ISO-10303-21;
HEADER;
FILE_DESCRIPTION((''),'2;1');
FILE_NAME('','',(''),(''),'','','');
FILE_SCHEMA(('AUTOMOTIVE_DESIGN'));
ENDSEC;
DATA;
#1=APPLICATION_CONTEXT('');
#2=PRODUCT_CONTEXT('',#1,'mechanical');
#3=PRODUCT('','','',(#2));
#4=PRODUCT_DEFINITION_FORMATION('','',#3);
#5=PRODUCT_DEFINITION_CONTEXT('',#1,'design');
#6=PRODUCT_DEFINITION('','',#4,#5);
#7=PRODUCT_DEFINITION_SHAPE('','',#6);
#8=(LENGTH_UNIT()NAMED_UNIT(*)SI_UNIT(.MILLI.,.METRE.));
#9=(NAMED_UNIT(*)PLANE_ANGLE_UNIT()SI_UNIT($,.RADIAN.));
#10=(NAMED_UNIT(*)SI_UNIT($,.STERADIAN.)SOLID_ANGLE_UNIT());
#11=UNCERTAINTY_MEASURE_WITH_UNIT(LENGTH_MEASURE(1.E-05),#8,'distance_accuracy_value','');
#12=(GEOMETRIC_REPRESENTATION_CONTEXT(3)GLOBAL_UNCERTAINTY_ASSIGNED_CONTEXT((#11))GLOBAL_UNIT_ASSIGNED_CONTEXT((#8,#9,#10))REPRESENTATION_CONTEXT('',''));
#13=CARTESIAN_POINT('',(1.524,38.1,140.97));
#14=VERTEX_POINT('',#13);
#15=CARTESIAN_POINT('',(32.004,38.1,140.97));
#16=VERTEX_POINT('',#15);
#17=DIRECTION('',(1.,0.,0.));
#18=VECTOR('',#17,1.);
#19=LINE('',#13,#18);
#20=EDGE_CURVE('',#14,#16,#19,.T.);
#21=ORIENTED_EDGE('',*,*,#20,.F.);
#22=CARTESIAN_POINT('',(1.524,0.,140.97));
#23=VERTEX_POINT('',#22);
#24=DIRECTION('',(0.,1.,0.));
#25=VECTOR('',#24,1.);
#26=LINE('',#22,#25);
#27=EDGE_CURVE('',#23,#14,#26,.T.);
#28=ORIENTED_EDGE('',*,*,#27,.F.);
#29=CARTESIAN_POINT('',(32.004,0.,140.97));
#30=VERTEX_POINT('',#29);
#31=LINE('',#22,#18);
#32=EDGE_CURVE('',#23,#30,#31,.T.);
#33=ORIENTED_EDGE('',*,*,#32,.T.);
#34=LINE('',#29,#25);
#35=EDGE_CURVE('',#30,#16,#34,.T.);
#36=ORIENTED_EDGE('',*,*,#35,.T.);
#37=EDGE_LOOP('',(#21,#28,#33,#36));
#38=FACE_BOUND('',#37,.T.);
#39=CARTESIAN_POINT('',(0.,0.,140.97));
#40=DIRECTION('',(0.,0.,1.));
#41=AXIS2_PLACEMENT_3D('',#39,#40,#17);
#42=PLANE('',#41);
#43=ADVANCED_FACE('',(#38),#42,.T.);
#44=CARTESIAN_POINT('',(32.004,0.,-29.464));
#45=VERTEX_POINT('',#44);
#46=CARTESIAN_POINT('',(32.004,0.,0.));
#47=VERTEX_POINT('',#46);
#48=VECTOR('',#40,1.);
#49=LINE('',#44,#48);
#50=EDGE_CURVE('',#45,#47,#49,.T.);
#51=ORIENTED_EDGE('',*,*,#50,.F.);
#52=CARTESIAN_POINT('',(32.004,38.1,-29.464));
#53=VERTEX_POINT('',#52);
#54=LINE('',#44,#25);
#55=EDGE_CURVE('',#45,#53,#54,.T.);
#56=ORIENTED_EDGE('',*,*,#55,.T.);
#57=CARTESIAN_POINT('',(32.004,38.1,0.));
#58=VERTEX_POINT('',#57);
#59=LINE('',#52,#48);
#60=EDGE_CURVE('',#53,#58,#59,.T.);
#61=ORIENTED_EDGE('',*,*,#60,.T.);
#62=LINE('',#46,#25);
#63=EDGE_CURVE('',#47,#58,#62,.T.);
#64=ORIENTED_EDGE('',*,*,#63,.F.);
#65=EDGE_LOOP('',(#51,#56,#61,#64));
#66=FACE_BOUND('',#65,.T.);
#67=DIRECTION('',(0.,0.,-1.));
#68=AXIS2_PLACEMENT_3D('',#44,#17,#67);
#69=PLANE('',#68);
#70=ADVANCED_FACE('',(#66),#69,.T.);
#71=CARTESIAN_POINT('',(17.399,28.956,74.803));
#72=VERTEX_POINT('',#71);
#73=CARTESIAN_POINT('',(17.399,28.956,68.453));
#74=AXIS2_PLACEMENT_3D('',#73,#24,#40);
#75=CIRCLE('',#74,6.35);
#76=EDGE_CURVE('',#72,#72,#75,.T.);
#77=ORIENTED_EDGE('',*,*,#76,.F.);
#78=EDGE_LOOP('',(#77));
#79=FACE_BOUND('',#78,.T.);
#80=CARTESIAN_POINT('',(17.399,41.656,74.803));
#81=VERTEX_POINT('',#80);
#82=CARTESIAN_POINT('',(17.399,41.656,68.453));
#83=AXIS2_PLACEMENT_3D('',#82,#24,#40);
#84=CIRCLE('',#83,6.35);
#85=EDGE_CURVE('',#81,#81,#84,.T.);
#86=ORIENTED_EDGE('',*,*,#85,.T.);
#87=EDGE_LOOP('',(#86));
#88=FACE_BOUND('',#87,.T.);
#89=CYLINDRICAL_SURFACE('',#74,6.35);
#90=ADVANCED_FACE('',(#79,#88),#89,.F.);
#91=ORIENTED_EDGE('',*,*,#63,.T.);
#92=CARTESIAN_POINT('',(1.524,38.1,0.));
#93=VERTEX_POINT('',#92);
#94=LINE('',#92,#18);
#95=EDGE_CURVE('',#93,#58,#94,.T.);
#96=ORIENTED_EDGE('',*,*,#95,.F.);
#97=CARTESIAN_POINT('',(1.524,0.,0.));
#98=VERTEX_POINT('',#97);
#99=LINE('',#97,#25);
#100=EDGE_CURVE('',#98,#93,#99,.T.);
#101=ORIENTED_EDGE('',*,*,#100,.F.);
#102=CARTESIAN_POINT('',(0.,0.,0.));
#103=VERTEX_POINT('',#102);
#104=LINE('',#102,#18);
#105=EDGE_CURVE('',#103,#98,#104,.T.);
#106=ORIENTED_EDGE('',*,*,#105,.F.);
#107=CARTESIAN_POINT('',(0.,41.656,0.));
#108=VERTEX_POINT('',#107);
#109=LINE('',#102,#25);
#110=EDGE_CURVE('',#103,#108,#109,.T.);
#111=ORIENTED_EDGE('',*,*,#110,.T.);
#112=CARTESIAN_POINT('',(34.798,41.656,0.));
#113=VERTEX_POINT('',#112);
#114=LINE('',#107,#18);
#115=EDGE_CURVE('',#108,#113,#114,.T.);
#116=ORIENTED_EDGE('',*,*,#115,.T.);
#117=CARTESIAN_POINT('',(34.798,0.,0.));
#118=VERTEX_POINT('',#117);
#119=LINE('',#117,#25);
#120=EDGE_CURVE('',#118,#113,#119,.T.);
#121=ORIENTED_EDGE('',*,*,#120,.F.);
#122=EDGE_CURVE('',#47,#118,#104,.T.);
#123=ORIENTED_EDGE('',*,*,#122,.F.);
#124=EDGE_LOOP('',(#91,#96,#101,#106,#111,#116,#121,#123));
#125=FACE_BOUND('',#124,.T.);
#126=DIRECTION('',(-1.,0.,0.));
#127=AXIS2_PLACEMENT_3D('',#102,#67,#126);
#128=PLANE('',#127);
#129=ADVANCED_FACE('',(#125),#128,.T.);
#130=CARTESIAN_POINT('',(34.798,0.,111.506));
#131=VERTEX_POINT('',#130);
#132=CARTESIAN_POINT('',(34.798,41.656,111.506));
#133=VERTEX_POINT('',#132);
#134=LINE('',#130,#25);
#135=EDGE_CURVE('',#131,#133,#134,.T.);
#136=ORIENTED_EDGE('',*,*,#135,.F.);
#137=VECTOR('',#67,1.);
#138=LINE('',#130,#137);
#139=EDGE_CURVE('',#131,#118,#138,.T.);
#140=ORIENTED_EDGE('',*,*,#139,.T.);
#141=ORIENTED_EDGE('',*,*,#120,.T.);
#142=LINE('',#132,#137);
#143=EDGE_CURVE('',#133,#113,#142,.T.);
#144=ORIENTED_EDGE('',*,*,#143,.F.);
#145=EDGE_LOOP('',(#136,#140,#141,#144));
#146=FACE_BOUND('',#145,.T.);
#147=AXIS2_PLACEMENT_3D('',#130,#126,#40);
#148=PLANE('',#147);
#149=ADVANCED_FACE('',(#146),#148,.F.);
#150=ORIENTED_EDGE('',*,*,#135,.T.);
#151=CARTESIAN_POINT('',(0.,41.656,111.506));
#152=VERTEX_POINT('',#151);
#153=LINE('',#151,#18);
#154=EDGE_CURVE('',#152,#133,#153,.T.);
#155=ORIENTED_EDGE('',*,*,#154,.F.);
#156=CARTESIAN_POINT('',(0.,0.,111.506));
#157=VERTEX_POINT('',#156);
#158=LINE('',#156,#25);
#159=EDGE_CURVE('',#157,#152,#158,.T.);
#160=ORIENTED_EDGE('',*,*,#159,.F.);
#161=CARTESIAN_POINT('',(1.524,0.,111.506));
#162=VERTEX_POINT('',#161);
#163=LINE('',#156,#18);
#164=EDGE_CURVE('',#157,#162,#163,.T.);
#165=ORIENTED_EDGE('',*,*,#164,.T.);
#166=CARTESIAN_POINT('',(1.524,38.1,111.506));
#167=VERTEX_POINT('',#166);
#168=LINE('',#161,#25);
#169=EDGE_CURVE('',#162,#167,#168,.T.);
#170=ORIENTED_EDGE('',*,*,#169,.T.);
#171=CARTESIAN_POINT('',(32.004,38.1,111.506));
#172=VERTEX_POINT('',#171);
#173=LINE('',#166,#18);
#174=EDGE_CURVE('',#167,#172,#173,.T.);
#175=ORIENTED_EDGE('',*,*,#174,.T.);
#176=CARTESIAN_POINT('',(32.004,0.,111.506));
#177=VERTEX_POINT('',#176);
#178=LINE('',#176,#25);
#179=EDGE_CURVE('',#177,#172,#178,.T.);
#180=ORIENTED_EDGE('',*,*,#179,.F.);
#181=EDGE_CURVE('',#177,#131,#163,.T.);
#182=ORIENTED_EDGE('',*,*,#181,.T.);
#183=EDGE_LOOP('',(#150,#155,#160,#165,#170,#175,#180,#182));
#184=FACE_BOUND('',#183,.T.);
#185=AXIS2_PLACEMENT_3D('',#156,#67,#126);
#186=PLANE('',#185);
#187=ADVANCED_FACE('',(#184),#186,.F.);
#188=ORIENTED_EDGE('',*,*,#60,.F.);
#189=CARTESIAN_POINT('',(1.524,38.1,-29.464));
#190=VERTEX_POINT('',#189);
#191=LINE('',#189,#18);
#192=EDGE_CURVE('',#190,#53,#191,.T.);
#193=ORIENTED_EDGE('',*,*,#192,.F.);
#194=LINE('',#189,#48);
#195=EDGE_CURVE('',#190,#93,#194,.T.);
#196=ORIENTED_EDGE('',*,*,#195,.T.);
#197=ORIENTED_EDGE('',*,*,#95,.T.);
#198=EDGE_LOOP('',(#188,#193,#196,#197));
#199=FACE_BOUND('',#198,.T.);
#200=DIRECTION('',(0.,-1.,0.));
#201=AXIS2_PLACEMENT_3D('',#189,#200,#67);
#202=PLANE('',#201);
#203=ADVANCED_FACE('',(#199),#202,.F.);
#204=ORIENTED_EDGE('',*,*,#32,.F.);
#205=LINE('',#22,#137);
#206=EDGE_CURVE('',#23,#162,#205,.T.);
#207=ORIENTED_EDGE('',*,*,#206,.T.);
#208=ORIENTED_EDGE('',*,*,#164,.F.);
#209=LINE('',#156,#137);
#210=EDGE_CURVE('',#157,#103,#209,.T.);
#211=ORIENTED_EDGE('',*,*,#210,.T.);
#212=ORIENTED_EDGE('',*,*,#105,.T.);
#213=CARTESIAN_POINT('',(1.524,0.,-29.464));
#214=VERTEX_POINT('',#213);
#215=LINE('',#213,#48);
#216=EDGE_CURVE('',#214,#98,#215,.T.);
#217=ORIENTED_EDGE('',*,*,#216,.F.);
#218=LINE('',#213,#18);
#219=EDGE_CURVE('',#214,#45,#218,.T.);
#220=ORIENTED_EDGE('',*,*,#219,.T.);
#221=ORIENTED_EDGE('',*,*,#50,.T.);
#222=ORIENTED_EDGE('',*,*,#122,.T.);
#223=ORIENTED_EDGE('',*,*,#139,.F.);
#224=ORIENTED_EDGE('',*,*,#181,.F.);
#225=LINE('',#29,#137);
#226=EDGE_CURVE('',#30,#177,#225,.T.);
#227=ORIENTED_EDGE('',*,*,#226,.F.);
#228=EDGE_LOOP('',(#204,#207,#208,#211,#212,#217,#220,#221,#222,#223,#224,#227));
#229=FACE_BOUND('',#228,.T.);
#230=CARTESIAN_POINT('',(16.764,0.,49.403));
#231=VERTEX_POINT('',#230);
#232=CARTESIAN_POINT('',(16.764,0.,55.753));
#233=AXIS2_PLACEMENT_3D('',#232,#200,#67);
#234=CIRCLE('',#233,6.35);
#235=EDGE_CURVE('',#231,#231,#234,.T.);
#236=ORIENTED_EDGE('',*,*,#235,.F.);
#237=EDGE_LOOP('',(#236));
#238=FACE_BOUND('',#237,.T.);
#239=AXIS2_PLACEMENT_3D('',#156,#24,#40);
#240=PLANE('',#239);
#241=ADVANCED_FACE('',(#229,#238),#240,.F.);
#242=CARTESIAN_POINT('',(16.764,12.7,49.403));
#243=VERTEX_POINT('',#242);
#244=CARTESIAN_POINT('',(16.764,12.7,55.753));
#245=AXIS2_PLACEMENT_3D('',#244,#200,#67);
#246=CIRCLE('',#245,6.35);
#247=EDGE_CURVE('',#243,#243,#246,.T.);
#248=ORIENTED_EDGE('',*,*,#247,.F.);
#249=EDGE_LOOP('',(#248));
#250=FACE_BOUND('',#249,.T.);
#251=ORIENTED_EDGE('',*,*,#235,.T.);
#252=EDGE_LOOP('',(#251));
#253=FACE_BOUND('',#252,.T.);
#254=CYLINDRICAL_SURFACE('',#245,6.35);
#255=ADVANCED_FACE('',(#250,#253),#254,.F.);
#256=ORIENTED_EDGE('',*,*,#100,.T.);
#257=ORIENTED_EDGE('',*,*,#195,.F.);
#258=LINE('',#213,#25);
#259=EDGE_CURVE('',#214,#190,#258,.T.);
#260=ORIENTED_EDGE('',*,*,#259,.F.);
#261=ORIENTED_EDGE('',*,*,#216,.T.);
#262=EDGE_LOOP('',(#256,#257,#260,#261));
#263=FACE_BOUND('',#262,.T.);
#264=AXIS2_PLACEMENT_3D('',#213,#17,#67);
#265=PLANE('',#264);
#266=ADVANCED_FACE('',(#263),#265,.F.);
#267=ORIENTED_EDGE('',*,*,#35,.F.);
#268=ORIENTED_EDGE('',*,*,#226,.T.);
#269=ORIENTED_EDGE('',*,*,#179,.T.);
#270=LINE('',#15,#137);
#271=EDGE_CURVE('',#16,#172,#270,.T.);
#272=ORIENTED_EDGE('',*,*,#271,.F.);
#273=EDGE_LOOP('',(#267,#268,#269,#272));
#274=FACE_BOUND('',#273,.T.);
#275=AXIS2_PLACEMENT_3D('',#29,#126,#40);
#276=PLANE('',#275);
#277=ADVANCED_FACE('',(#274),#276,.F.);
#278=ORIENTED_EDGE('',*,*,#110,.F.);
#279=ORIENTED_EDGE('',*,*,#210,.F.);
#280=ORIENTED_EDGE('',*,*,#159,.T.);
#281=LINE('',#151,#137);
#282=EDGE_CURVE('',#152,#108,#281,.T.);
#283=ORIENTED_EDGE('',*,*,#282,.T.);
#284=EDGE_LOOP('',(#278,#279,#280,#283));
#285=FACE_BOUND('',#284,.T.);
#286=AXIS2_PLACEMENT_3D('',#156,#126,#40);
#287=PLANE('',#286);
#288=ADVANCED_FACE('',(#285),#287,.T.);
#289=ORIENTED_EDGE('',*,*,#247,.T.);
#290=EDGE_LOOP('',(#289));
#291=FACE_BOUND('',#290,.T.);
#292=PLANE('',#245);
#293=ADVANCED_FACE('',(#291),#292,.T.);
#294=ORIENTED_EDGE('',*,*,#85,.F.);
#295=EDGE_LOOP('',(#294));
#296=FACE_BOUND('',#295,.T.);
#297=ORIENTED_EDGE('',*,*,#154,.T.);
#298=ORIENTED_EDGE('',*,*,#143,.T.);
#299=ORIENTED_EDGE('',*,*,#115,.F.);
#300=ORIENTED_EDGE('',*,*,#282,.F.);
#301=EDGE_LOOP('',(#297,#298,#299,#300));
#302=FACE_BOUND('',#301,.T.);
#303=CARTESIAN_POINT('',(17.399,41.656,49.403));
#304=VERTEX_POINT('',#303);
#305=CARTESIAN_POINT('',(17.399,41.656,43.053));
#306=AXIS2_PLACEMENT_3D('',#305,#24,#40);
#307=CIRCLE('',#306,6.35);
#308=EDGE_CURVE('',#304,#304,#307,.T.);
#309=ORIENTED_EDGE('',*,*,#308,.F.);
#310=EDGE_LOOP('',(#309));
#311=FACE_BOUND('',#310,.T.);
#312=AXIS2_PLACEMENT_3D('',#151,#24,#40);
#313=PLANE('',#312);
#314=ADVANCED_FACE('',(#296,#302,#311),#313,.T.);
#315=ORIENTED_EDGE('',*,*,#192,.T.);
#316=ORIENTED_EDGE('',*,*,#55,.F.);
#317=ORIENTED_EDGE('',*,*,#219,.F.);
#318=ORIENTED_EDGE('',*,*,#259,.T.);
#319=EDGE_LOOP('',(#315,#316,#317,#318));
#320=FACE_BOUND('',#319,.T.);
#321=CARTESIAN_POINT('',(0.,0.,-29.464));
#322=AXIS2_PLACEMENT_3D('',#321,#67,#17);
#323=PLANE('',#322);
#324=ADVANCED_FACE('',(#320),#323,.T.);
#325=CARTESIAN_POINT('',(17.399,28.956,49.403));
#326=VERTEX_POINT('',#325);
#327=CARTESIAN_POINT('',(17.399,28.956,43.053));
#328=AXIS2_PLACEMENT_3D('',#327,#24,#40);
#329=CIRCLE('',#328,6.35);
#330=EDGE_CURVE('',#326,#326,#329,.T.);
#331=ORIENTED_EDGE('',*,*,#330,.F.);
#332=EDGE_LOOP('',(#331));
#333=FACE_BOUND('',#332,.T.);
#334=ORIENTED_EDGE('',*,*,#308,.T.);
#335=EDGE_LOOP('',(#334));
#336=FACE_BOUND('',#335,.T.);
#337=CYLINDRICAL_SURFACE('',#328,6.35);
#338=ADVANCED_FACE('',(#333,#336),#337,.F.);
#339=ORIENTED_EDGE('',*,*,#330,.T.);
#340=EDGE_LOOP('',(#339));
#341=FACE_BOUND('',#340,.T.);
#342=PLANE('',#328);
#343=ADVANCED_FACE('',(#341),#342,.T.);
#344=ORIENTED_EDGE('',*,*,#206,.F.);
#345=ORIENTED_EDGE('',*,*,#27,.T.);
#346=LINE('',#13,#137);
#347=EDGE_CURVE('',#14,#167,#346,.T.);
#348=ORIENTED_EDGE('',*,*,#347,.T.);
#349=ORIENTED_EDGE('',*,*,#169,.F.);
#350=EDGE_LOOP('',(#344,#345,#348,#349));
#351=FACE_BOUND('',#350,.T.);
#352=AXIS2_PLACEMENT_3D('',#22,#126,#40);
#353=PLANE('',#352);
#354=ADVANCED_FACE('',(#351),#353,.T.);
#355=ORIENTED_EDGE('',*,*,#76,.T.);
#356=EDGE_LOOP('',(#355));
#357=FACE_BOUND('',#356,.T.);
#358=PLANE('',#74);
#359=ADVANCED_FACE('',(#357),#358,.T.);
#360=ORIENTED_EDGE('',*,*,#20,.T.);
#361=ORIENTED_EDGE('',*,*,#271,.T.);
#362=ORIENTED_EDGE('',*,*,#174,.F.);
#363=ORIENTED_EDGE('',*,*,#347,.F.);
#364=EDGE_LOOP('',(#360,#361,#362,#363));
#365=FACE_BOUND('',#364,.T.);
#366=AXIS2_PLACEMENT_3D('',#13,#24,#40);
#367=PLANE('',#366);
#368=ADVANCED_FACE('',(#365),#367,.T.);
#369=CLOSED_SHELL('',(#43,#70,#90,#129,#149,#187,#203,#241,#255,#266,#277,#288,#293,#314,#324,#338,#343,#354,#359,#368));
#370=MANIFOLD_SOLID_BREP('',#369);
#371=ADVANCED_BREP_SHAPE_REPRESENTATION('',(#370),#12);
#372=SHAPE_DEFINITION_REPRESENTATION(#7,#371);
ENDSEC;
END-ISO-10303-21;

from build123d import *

# Parameters (mm, degrees)
SKETCH1_W           = 34.798
SKETCH1_H           = 41.656
BOSS_EXTRUDE2_DEPTH = 111.506
SKETCH2_W           = 30.48
SKETCH2_H           = 38.1
BOSS_EXTRUDE3_DEPTH = 29.464
SKETCH3_R           = 6.35
CUT_EXTRUDE2_DEPTH  = 12.7
SKETCH4_R           = 6.35
CUT_EXTRUDE3_DEPTH  = 12.7


with BuildPart() as part:
    # Sketch1 → Boss-Extrude2 (new body)
    with BuildSketch(Plane.XY):
        with Locations((17.399, 20.828)):
            Rectangle(SKETCH1_W, SKETCH1_H)
    extrude(amount=BOSS_EXTRUDE2_DEPTH)

    # Sketch2 → Boss-Extrude3 (add)
    with BuildSketch(Plane.XY.offset(111.506)):
        with Locations((16.764, 19.05)):
            Rectangle(SKETCH2_W, SKETCH2_H)
    boss_extrude3 = extrude(amount=BOSS_EXTRUDE3_DEPTH)

    # Mirror1: Boss-Extrude3 across plane
    add(boss_extrude3.mirror(Plane(origin=(0, 0, 55.753), x_dir=(1, 0, 0), z_dir=(0, 0, -1))))

    # Sketch3 → Cut-Extrude2 (cut)
    with BuildSketch(Plane.XZ):
        with Locations((16.764, 55.753)):
            Circle(SKETCH3_R)
    extrude(amount=-CUT_EXTRUDE2_DEPTH, mode=Mode.SUBTRACT)

    # Sketch4 → Cut-Extrude3 (cut)
    with BuildSketch(Plane(origin=(0, 41.656, 0), x_dir=(1, 0, 0), z_dir=(0, 1, 0))):
        with Locations((17.399, -43.053)):
            Circle(SKETCH4_R)
        with Locations((17.399, -68.453)):
            Circle(SKETCH4_R)
    extrude(amount=-CUT_EXTRUDE3_DEPTH, mode=Mode.SUBTRACT)


solid = part.part
